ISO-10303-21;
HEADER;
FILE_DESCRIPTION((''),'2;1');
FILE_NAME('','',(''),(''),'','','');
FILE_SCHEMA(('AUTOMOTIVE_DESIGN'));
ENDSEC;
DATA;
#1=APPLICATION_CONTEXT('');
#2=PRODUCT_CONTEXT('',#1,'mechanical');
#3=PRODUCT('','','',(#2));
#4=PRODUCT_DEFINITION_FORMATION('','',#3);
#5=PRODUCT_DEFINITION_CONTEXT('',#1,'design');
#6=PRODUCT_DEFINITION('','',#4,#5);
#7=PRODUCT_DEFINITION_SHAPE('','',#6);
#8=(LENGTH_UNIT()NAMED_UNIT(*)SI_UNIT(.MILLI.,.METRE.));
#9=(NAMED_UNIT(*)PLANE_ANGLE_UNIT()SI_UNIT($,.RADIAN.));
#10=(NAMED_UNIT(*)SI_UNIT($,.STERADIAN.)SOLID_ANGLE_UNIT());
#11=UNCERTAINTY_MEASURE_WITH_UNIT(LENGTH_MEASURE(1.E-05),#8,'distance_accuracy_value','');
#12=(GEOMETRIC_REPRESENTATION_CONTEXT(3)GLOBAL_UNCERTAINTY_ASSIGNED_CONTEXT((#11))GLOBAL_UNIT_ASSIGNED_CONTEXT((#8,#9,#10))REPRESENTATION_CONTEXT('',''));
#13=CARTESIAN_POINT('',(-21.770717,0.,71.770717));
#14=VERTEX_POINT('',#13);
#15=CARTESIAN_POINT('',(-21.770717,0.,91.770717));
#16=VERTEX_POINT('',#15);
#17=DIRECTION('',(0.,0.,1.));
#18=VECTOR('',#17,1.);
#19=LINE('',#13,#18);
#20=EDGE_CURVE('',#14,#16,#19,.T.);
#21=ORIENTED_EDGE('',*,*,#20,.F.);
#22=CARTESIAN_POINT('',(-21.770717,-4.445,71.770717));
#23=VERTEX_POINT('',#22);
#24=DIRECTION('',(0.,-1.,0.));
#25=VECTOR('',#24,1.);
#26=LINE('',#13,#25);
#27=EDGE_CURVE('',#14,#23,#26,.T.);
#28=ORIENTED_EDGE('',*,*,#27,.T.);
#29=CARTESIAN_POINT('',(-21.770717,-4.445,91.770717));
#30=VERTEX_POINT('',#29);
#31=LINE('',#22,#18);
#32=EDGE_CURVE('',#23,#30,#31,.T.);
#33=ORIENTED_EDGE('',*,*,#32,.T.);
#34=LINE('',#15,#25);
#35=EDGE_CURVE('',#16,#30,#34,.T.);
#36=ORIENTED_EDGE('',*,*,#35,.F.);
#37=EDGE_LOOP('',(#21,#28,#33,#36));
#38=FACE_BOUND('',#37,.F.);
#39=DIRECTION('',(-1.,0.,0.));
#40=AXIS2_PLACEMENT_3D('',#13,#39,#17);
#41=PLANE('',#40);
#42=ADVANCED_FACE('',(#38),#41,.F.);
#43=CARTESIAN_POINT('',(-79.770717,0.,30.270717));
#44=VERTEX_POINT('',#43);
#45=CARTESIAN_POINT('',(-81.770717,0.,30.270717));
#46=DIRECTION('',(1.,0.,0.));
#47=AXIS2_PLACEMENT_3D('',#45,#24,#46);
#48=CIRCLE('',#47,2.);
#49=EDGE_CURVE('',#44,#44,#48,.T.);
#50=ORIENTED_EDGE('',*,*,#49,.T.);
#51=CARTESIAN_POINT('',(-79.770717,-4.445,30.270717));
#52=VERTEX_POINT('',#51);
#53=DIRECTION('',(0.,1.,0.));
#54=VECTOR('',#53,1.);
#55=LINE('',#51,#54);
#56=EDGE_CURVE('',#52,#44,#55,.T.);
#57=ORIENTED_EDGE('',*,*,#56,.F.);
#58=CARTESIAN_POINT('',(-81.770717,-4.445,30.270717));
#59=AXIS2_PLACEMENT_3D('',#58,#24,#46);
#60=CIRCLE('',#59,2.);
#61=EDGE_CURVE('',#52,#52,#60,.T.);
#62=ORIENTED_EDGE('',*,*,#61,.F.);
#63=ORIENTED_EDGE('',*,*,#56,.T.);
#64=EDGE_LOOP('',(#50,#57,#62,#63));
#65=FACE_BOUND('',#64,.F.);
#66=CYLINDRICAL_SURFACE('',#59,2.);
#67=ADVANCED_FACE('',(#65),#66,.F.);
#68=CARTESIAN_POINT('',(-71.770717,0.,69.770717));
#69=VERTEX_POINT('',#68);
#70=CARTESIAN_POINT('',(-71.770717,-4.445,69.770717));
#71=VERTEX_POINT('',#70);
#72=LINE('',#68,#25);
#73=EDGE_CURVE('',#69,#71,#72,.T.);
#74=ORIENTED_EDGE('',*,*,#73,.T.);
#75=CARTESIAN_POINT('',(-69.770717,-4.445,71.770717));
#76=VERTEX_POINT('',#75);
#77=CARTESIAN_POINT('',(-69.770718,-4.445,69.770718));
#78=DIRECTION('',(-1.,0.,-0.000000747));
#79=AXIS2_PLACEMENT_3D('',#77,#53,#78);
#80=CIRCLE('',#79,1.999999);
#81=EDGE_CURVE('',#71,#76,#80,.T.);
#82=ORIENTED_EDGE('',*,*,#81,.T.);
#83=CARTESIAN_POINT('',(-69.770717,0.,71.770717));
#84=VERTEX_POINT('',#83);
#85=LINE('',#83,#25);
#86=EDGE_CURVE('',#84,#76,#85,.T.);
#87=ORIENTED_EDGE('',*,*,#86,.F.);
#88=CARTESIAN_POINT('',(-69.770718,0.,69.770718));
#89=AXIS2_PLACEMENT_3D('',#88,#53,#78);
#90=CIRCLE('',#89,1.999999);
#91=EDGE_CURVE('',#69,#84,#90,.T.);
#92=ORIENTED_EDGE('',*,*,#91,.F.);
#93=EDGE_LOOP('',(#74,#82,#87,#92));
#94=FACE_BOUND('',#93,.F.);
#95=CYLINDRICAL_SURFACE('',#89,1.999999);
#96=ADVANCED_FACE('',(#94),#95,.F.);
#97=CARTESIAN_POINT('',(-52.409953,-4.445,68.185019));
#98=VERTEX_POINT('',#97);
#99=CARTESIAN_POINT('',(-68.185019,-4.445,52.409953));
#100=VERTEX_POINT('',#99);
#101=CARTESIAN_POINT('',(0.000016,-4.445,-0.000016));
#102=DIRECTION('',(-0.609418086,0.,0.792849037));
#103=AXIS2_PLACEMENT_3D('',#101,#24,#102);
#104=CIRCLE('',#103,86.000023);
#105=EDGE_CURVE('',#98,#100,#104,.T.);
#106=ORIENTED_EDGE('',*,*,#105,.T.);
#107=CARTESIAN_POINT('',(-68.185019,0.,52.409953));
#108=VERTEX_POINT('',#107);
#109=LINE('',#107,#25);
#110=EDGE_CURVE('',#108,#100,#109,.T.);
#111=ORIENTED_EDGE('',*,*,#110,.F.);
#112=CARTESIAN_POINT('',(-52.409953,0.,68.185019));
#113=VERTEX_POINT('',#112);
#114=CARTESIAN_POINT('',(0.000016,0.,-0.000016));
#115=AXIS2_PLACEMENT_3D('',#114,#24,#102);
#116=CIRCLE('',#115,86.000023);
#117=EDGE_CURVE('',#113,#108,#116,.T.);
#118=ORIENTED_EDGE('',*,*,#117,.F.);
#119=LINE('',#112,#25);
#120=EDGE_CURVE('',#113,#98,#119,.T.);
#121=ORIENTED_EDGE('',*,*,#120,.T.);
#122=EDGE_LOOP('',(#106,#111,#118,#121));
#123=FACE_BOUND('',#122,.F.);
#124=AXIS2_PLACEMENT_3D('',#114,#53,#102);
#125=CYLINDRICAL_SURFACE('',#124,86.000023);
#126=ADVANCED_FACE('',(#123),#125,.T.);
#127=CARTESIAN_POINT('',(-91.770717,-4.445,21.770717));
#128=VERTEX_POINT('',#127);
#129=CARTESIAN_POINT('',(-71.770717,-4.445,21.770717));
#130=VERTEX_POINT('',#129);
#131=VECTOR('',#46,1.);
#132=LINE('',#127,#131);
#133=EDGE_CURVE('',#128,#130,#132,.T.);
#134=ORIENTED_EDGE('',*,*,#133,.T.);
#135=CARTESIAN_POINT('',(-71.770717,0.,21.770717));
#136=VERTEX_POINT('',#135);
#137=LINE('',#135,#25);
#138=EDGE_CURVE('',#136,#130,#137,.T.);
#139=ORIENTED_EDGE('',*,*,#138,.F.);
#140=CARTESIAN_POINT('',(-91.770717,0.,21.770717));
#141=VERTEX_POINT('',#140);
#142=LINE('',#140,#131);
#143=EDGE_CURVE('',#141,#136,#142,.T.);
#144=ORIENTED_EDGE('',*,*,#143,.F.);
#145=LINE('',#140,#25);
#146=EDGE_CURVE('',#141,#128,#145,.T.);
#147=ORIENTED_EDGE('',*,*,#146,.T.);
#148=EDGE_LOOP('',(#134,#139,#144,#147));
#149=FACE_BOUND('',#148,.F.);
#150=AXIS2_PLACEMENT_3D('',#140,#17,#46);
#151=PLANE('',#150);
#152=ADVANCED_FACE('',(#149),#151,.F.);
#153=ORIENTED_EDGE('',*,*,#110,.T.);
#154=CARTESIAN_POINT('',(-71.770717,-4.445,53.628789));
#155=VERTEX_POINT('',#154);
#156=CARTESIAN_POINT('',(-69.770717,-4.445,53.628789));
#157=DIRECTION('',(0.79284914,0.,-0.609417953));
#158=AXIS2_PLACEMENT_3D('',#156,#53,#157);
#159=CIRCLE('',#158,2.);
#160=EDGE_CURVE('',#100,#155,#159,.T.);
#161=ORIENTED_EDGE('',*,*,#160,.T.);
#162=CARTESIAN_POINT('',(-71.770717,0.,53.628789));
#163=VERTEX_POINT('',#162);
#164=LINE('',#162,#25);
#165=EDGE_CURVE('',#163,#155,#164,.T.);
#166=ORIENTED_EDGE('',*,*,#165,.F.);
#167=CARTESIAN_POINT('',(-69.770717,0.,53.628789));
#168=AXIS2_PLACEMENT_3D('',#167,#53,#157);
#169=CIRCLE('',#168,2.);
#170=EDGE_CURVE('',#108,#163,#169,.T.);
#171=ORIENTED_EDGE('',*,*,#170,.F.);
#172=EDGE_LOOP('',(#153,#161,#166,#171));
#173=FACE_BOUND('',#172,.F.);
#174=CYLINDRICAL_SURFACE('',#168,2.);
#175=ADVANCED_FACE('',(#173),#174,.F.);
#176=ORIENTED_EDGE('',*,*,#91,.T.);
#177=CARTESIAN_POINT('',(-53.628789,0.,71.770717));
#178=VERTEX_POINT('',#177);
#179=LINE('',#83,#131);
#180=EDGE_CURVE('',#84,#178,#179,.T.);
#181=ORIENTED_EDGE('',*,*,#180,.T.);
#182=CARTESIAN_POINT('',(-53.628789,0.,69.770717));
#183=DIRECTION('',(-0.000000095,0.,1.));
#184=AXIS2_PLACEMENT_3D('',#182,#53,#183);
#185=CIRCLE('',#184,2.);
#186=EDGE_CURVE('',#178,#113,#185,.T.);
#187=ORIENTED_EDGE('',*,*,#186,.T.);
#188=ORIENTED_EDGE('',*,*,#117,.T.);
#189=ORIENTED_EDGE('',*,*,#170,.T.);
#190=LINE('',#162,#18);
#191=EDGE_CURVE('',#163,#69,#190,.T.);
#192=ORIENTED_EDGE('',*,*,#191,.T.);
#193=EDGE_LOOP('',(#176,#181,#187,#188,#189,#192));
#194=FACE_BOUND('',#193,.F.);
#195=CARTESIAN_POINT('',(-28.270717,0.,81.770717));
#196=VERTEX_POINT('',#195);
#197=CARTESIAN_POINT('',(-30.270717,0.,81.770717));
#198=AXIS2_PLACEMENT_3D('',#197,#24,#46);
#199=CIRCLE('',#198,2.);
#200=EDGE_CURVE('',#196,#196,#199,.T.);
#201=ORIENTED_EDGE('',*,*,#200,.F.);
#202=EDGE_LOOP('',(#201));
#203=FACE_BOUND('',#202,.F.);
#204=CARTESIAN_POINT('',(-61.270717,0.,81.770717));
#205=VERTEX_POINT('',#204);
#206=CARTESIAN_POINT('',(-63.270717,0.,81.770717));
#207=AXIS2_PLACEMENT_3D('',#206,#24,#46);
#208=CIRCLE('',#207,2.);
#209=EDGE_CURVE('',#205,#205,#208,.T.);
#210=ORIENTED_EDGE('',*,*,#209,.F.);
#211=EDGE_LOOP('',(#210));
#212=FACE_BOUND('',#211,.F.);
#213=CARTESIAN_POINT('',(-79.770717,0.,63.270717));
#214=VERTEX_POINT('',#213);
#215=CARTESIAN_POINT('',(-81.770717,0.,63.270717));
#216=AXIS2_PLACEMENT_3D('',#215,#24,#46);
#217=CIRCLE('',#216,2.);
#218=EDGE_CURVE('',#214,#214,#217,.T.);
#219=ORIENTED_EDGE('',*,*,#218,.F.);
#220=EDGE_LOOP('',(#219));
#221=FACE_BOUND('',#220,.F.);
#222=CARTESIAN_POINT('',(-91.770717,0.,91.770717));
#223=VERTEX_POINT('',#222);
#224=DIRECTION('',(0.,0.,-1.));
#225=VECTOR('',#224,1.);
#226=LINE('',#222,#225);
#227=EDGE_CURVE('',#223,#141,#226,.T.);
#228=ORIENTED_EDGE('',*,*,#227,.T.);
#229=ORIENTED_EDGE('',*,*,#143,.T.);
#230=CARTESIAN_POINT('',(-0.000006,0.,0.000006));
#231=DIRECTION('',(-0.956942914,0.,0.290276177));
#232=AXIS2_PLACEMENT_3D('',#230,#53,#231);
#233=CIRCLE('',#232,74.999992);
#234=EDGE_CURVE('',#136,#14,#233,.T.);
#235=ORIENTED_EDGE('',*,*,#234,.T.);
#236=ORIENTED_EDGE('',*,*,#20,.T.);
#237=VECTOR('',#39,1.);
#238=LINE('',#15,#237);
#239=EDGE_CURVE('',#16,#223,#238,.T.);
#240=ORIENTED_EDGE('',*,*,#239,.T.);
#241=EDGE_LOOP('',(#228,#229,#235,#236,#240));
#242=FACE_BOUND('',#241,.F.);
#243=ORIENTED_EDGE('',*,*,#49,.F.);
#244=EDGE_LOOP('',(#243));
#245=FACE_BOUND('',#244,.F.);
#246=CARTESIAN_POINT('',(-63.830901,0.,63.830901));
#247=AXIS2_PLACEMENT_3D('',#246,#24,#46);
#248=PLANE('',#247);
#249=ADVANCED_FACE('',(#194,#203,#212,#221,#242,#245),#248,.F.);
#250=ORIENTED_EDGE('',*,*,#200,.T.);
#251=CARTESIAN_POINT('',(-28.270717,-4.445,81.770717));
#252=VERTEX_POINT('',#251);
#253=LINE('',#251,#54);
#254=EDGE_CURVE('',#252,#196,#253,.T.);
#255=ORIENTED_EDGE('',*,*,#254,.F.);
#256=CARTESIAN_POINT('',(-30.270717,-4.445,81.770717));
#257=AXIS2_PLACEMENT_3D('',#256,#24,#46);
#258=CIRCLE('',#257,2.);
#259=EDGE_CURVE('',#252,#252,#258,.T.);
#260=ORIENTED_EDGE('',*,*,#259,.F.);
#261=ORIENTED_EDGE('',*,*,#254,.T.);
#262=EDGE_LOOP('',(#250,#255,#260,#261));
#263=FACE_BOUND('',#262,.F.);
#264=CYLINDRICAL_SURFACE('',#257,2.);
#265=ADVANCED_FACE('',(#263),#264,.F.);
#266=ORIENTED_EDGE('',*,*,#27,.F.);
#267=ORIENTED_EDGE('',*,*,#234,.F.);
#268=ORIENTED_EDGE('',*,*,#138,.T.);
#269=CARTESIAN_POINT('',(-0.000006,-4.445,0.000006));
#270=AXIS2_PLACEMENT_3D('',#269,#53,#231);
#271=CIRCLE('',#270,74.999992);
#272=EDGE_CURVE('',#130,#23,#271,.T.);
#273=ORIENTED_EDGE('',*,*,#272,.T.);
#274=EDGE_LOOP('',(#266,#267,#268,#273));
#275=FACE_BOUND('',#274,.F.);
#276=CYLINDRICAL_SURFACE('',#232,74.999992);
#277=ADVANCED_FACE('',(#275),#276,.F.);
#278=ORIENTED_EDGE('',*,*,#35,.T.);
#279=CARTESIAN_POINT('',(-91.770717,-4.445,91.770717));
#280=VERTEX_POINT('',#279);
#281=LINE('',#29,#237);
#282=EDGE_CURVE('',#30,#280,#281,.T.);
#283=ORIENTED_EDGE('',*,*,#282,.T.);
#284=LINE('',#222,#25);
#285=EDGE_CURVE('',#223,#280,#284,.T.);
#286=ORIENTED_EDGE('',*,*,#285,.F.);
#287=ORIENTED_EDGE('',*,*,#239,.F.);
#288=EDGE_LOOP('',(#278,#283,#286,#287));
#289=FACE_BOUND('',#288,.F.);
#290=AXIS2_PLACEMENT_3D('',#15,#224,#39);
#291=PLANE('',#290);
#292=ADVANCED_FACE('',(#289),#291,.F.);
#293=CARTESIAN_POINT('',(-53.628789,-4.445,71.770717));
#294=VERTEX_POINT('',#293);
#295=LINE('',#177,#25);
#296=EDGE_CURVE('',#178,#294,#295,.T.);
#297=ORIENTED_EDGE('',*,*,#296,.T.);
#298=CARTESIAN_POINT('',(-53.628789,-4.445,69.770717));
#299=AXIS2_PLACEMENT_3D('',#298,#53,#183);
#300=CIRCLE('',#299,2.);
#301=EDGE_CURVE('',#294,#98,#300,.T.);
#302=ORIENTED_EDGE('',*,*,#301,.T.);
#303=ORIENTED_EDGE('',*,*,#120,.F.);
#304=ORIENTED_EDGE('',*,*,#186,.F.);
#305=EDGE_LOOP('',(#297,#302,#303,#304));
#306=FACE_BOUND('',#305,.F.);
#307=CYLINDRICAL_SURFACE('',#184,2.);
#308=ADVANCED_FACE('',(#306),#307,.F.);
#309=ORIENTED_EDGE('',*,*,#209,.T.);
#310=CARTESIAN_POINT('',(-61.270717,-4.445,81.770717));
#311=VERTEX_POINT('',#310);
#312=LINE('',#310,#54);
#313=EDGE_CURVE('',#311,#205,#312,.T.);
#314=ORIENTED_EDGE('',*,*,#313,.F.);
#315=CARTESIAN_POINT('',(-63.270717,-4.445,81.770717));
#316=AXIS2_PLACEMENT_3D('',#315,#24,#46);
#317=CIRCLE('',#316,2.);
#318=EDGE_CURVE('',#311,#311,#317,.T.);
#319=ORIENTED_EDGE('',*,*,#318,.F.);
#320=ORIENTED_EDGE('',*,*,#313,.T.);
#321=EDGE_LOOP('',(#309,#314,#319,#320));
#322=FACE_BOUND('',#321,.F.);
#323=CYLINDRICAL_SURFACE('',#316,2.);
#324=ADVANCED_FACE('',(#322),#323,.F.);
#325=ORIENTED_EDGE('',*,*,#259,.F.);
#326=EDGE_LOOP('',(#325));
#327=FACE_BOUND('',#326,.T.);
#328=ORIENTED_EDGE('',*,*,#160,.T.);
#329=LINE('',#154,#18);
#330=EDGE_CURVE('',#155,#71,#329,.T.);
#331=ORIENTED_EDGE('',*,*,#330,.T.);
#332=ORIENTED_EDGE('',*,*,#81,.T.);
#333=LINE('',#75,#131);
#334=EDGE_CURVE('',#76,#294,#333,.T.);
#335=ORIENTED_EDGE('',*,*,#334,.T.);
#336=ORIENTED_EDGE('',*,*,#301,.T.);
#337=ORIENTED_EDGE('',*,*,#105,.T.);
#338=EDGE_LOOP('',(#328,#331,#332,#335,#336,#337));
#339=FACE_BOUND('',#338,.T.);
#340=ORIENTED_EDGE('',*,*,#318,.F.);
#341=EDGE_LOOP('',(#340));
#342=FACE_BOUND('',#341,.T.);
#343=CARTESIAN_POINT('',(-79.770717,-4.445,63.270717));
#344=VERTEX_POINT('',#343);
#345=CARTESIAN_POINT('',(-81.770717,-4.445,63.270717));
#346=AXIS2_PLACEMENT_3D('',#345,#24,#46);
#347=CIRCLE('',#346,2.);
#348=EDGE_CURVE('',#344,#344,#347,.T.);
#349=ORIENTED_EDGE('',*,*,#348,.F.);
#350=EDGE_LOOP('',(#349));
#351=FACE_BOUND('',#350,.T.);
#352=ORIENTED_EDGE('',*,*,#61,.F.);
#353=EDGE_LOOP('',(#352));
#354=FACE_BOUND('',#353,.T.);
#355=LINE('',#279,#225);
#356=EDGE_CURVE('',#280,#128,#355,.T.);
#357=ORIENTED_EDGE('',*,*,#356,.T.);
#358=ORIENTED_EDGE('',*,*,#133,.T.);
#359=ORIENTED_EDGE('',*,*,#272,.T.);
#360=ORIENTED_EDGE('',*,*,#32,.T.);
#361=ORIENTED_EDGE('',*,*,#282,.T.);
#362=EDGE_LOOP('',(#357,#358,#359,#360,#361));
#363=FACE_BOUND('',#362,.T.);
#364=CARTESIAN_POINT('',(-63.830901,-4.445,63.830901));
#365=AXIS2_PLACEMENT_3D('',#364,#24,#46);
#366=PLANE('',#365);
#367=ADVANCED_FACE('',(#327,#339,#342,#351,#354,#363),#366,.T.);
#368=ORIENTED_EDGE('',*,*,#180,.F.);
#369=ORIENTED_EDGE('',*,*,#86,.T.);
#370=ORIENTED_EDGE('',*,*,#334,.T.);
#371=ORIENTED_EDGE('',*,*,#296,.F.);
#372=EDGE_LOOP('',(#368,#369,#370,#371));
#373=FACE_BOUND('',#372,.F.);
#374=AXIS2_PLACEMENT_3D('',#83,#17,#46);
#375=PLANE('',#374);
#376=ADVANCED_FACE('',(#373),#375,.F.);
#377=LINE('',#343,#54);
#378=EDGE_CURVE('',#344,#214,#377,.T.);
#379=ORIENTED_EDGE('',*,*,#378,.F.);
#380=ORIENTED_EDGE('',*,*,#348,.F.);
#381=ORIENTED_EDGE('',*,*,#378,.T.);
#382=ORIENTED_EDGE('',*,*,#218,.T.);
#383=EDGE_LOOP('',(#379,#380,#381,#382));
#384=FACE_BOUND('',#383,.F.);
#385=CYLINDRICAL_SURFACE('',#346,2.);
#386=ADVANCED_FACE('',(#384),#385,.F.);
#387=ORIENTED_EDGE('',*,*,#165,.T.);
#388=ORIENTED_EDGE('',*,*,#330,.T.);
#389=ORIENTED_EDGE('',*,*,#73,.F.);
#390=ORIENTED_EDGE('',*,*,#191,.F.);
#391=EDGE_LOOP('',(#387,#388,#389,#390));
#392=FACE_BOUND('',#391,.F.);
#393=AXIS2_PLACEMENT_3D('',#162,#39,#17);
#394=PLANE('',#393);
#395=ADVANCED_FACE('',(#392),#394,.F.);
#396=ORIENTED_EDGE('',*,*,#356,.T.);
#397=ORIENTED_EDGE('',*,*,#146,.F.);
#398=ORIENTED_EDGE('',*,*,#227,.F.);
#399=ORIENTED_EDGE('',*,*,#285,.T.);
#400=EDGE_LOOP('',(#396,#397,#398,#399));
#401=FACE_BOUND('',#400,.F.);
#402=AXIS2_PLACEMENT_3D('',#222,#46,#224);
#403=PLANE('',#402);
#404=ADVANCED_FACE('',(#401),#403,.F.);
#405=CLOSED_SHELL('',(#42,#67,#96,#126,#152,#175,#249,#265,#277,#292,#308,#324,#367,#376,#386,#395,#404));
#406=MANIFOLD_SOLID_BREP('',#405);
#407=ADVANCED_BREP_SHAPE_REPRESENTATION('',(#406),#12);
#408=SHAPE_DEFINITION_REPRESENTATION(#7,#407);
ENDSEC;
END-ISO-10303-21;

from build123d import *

# Parameters (mm, degrees)
F1_DEPTH = 4.445
F2_R     = 2
F3_DEPTH = 4.446


with BuildPart() as f1:
    # F0 (on Front) → F1 (new body)
    with BuildSketch(Plane.XZ):
        with BuildLine():
            Line((-91.770717, 21.770717), (-71.770717, 21.770717))
            ThreePointArc((-71.770717, 21.770717), (-53.033009, 53.033009), (-21.770717, 71.770717))
            Line((-21.770717, 71.770717), (-21.770717, 91.770717))
            Line((-21.770717, 91.770717), (-91.770717, 91.770717))
            Line((-91.770717, 91.770717), (-91.770717, 21.770717))
        make_face()
        with BuildLine():
            ThreePointArc((-52.409953, 68.185019), (-60.811183, 60.811183), (-68.185019, 52.409953))
            ThreePointArc((-68.185019, 52.409953), (-70.41438, 51.735195), (-71.770717, 53.628789))
            Line((-71.770717, 53.628789), (-71.770717, 69.770717))
            ThreePointArc((-71.770717, 69.770717), (-71.184931, 71.184931), (-69.770717, 71.770717))
            Line((-69.770717, 71.770717), (-53.628789, 71.770717))
            ThreePointArc((-53.628789, 71.770717), (-51.735195, 70.41438), (-52.409953, 68.185019))
        make_face(mode=Mode.SUBTRACT)
    extrude(amount=F1_DEPTH)

    # F2 (on face) → F3 (cut, through all)
    with BuildSketch(Plane.XZ.offset(4.445)):
        with Locations((-63.270717, 81.770717)):
            Circle(F2_R)
        with Locations((-30.270717, 81.770717)):
            Circle(F2_R)
        with Locations((-81.770717, 63.270717)):
            Circle(F2_R)
        with Locations((-81.770717, 30.270717)):
            Circle(F2_R)
    extrude(amount=-F3_DEPTH, mode=Mode.SUBTRACT)


solid = f1.part
